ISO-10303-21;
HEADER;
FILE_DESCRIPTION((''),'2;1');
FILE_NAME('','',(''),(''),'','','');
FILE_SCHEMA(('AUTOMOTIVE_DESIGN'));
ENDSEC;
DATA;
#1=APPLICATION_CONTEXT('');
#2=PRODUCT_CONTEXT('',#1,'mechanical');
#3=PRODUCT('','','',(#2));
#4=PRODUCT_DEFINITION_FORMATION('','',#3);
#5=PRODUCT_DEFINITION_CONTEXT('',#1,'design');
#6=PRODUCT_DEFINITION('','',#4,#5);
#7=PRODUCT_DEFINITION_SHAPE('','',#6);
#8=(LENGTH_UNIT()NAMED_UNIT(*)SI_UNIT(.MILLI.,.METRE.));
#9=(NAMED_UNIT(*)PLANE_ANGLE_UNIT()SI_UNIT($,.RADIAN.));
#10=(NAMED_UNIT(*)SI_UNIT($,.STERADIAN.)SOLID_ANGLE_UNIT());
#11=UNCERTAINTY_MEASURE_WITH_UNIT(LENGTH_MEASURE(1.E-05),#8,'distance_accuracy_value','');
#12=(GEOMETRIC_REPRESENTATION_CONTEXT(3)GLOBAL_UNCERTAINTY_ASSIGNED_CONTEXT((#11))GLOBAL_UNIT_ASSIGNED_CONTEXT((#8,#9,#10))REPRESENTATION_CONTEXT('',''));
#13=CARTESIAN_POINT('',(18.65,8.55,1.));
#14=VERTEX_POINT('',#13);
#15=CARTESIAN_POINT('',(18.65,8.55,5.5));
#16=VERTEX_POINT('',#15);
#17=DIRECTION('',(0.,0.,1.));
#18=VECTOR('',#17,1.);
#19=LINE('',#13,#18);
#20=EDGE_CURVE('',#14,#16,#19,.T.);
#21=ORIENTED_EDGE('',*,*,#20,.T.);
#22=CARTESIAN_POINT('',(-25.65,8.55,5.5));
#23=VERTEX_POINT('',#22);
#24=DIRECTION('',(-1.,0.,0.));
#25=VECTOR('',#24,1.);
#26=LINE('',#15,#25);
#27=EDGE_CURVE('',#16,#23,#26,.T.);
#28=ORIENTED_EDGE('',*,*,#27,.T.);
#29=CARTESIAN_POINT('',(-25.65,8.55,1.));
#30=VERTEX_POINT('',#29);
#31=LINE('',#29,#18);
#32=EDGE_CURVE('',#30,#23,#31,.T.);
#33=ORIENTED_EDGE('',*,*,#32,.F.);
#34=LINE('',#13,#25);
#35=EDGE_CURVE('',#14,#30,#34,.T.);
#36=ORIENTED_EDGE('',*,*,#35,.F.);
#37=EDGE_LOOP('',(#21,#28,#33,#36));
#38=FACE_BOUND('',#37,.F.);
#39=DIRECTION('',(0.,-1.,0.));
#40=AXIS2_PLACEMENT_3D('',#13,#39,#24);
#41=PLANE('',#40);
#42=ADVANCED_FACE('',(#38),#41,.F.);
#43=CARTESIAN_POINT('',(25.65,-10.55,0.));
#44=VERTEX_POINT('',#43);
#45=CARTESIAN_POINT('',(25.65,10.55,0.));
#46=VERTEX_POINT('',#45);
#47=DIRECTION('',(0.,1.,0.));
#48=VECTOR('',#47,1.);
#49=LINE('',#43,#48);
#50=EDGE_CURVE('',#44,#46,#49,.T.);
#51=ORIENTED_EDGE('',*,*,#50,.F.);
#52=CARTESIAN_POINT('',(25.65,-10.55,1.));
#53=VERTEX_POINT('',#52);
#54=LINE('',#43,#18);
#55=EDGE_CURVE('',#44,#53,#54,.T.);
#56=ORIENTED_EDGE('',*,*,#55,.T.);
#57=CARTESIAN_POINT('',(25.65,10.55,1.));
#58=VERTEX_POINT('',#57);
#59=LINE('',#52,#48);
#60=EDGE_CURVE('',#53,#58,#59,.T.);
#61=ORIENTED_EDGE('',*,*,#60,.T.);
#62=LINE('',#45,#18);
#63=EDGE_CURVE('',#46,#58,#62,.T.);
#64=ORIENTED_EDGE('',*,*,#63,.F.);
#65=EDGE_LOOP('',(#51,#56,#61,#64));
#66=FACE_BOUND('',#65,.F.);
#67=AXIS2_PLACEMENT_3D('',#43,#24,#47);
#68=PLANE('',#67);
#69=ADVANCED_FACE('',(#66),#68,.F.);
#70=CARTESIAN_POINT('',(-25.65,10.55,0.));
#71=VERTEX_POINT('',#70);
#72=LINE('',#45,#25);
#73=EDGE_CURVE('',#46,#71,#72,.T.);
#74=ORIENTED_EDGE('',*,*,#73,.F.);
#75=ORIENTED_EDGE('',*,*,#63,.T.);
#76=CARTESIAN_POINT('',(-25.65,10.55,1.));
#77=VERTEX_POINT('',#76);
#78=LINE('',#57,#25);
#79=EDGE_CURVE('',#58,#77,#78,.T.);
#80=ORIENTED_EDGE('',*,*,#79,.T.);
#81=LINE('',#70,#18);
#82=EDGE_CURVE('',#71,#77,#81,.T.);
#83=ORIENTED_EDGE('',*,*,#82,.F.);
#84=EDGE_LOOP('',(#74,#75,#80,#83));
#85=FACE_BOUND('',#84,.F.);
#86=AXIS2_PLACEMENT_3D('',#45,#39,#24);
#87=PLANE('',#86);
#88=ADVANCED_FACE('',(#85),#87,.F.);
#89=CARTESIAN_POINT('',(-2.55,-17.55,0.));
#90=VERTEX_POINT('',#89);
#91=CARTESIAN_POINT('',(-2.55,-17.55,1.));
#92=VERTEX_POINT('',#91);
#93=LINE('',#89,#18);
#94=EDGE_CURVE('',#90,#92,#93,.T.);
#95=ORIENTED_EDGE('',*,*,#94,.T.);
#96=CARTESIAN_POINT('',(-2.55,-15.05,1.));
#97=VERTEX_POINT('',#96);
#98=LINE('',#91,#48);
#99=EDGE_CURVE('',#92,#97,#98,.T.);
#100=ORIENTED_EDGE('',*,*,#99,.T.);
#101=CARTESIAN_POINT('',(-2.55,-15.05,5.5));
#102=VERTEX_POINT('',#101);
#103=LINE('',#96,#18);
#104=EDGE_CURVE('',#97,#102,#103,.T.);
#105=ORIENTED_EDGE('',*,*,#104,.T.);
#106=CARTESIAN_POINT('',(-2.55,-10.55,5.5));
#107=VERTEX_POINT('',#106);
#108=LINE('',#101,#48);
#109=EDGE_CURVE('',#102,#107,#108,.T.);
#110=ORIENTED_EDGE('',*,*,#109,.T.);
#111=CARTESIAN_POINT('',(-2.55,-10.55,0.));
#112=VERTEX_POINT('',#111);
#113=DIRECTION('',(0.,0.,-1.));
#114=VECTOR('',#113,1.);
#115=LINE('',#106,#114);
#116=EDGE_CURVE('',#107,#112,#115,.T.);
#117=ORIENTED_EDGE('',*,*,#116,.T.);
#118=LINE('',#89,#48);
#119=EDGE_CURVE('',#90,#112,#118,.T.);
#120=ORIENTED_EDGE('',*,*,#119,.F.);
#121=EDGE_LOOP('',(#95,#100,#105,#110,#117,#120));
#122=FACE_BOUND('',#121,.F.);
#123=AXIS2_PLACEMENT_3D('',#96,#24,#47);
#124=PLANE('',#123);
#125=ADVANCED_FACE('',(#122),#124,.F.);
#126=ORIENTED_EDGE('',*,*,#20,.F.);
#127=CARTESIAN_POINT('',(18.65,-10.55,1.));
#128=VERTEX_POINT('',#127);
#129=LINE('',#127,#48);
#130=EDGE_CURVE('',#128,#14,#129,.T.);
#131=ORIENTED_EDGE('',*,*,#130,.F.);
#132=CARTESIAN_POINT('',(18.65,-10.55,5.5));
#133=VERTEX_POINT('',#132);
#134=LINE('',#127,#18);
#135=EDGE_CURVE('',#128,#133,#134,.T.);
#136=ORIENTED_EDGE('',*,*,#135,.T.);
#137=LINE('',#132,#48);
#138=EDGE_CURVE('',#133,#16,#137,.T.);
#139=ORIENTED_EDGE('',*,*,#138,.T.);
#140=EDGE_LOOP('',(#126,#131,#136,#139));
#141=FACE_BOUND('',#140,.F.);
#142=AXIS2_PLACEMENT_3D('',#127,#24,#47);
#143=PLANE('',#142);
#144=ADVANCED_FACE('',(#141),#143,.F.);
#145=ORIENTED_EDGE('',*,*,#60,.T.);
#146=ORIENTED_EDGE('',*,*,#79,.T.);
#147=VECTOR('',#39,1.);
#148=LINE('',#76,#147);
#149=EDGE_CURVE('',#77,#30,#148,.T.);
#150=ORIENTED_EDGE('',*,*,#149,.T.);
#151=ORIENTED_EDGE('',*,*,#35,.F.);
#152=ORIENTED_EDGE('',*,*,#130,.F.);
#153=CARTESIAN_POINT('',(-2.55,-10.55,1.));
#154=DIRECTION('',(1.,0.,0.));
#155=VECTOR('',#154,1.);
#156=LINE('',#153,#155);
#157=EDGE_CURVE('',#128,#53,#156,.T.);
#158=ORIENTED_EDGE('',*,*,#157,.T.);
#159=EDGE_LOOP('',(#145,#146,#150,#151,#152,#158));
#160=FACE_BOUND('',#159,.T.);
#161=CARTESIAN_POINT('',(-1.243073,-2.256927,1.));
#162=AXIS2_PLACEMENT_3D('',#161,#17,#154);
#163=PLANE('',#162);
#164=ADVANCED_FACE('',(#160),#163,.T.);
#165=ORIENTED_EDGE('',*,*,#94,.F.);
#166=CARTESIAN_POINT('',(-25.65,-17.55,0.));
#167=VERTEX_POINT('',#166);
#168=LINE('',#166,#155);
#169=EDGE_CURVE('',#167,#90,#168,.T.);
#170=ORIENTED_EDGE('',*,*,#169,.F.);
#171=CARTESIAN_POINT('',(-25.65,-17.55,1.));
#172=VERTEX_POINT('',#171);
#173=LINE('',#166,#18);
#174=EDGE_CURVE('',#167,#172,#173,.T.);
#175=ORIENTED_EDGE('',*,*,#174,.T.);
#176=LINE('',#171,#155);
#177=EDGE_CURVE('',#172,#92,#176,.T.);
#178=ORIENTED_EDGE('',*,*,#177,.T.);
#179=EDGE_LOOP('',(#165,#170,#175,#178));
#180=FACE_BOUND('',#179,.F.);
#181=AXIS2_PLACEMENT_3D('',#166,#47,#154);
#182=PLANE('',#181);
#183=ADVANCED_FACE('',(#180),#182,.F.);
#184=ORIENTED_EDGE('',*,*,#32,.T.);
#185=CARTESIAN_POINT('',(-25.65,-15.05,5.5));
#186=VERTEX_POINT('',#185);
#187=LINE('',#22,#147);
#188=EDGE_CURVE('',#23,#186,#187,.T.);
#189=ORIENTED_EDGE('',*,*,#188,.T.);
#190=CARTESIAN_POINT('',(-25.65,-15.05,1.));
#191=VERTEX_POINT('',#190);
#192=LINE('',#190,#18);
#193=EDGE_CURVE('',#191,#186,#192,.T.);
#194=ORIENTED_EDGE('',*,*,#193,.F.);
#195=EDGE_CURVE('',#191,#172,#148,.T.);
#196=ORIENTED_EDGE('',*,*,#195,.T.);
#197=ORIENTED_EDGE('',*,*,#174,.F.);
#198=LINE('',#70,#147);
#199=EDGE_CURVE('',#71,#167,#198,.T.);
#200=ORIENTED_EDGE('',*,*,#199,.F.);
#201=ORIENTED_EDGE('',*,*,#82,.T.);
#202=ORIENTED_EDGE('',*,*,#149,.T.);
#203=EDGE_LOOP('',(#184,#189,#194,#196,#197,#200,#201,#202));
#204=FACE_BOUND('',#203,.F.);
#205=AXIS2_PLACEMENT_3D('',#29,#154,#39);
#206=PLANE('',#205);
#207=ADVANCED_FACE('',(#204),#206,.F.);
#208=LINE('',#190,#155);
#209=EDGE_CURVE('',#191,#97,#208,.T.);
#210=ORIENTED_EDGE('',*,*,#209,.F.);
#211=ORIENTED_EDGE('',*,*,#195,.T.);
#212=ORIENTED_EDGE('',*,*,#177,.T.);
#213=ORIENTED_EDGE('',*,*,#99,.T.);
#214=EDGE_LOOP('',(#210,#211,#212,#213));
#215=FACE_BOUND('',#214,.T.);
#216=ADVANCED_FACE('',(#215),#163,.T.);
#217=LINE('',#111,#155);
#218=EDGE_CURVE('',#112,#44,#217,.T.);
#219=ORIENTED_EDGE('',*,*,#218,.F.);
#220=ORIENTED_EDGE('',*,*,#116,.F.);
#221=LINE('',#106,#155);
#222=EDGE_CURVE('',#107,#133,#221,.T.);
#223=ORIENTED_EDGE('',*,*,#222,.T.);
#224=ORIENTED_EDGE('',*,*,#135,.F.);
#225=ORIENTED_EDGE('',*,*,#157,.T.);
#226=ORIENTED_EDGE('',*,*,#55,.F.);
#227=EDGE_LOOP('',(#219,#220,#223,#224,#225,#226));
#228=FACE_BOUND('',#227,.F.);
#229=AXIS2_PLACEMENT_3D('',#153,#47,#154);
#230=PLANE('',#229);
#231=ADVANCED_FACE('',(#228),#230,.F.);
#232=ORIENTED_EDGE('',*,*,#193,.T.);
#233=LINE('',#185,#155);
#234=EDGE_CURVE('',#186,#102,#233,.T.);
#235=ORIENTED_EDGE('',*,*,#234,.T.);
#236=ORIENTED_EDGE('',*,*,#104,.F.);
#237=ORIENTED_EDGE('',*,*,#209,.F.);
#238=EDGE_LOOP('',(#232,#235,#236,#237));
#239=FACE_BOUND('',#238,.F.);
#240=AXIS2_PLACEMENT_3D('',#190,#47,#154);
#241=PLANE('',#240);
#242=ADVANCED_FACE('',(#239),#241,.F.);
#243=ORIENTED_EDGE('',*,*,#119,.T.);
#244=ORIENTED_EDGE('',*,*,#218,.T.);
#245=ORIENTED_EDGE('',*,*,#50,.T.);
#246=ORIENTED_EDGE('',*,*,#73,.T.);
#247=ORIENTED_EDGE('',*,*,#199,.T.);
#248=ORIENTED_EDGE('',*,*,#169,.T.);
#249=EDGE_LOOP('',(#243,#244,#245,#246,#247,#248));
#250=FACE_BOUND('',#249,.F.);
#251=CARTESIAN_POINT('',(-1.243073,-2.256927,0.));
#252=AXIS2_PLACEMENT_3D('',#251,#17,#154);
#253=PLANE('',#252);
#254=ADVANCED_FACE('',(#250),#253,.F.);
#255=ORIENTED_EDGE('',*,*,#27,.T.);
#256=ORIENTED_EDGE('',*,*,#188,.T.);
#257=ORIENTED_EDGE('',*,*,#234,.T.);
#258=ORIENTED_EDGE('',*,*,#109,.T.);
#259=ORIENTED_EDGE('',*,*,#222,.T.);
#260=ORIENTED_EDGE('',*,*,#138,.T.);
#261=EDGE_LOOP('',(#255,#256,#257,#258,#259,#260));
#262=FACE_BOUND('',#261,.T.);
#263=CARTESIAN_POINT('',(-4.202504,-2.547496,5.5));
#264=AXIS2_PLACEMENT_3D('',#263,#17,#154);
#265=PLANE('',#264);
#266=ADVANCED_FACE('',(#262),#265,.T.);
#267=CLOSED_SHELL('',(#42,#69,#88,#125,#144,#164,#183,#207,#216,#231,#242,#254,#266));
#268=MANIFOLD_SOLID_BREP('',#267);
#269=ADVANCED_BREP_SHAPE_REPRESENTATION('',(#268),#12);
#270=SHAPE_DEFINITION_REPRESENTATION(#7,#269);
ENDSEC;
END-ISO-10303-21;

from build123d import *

# Parameters (mm, degrees)
F1_DEPTH = 1
F3_DEPTH = 4.5


with BuildPart() as f1:
    # F0 (on Top) → F1 (new body)
    with BuildSketch(Plane.XY):
        Polygon((-2.55, -10.55), (25.65, -10.55), (25.65, 10.55), (-2.55, 10.55), (-25.65, 10.55), (-25.65, -10.55), (-25.65, -17.55), (-2.55, -17.55), align=None)
    extrude(amount=F1_DEPTH)

    # F2 (on face) → F3 (join)
    with BuildSketch(Plane.XY.offset(1)):
        Polygon((18.65, -10.55), (18.65, 8.55), (-25.65, 8.55), (-25.65, -15.05), (-2.55, -15.05), (-2.55, -10.55), align=None)
    extrude(amount=F3_DEPTH)


solid = f1.part
